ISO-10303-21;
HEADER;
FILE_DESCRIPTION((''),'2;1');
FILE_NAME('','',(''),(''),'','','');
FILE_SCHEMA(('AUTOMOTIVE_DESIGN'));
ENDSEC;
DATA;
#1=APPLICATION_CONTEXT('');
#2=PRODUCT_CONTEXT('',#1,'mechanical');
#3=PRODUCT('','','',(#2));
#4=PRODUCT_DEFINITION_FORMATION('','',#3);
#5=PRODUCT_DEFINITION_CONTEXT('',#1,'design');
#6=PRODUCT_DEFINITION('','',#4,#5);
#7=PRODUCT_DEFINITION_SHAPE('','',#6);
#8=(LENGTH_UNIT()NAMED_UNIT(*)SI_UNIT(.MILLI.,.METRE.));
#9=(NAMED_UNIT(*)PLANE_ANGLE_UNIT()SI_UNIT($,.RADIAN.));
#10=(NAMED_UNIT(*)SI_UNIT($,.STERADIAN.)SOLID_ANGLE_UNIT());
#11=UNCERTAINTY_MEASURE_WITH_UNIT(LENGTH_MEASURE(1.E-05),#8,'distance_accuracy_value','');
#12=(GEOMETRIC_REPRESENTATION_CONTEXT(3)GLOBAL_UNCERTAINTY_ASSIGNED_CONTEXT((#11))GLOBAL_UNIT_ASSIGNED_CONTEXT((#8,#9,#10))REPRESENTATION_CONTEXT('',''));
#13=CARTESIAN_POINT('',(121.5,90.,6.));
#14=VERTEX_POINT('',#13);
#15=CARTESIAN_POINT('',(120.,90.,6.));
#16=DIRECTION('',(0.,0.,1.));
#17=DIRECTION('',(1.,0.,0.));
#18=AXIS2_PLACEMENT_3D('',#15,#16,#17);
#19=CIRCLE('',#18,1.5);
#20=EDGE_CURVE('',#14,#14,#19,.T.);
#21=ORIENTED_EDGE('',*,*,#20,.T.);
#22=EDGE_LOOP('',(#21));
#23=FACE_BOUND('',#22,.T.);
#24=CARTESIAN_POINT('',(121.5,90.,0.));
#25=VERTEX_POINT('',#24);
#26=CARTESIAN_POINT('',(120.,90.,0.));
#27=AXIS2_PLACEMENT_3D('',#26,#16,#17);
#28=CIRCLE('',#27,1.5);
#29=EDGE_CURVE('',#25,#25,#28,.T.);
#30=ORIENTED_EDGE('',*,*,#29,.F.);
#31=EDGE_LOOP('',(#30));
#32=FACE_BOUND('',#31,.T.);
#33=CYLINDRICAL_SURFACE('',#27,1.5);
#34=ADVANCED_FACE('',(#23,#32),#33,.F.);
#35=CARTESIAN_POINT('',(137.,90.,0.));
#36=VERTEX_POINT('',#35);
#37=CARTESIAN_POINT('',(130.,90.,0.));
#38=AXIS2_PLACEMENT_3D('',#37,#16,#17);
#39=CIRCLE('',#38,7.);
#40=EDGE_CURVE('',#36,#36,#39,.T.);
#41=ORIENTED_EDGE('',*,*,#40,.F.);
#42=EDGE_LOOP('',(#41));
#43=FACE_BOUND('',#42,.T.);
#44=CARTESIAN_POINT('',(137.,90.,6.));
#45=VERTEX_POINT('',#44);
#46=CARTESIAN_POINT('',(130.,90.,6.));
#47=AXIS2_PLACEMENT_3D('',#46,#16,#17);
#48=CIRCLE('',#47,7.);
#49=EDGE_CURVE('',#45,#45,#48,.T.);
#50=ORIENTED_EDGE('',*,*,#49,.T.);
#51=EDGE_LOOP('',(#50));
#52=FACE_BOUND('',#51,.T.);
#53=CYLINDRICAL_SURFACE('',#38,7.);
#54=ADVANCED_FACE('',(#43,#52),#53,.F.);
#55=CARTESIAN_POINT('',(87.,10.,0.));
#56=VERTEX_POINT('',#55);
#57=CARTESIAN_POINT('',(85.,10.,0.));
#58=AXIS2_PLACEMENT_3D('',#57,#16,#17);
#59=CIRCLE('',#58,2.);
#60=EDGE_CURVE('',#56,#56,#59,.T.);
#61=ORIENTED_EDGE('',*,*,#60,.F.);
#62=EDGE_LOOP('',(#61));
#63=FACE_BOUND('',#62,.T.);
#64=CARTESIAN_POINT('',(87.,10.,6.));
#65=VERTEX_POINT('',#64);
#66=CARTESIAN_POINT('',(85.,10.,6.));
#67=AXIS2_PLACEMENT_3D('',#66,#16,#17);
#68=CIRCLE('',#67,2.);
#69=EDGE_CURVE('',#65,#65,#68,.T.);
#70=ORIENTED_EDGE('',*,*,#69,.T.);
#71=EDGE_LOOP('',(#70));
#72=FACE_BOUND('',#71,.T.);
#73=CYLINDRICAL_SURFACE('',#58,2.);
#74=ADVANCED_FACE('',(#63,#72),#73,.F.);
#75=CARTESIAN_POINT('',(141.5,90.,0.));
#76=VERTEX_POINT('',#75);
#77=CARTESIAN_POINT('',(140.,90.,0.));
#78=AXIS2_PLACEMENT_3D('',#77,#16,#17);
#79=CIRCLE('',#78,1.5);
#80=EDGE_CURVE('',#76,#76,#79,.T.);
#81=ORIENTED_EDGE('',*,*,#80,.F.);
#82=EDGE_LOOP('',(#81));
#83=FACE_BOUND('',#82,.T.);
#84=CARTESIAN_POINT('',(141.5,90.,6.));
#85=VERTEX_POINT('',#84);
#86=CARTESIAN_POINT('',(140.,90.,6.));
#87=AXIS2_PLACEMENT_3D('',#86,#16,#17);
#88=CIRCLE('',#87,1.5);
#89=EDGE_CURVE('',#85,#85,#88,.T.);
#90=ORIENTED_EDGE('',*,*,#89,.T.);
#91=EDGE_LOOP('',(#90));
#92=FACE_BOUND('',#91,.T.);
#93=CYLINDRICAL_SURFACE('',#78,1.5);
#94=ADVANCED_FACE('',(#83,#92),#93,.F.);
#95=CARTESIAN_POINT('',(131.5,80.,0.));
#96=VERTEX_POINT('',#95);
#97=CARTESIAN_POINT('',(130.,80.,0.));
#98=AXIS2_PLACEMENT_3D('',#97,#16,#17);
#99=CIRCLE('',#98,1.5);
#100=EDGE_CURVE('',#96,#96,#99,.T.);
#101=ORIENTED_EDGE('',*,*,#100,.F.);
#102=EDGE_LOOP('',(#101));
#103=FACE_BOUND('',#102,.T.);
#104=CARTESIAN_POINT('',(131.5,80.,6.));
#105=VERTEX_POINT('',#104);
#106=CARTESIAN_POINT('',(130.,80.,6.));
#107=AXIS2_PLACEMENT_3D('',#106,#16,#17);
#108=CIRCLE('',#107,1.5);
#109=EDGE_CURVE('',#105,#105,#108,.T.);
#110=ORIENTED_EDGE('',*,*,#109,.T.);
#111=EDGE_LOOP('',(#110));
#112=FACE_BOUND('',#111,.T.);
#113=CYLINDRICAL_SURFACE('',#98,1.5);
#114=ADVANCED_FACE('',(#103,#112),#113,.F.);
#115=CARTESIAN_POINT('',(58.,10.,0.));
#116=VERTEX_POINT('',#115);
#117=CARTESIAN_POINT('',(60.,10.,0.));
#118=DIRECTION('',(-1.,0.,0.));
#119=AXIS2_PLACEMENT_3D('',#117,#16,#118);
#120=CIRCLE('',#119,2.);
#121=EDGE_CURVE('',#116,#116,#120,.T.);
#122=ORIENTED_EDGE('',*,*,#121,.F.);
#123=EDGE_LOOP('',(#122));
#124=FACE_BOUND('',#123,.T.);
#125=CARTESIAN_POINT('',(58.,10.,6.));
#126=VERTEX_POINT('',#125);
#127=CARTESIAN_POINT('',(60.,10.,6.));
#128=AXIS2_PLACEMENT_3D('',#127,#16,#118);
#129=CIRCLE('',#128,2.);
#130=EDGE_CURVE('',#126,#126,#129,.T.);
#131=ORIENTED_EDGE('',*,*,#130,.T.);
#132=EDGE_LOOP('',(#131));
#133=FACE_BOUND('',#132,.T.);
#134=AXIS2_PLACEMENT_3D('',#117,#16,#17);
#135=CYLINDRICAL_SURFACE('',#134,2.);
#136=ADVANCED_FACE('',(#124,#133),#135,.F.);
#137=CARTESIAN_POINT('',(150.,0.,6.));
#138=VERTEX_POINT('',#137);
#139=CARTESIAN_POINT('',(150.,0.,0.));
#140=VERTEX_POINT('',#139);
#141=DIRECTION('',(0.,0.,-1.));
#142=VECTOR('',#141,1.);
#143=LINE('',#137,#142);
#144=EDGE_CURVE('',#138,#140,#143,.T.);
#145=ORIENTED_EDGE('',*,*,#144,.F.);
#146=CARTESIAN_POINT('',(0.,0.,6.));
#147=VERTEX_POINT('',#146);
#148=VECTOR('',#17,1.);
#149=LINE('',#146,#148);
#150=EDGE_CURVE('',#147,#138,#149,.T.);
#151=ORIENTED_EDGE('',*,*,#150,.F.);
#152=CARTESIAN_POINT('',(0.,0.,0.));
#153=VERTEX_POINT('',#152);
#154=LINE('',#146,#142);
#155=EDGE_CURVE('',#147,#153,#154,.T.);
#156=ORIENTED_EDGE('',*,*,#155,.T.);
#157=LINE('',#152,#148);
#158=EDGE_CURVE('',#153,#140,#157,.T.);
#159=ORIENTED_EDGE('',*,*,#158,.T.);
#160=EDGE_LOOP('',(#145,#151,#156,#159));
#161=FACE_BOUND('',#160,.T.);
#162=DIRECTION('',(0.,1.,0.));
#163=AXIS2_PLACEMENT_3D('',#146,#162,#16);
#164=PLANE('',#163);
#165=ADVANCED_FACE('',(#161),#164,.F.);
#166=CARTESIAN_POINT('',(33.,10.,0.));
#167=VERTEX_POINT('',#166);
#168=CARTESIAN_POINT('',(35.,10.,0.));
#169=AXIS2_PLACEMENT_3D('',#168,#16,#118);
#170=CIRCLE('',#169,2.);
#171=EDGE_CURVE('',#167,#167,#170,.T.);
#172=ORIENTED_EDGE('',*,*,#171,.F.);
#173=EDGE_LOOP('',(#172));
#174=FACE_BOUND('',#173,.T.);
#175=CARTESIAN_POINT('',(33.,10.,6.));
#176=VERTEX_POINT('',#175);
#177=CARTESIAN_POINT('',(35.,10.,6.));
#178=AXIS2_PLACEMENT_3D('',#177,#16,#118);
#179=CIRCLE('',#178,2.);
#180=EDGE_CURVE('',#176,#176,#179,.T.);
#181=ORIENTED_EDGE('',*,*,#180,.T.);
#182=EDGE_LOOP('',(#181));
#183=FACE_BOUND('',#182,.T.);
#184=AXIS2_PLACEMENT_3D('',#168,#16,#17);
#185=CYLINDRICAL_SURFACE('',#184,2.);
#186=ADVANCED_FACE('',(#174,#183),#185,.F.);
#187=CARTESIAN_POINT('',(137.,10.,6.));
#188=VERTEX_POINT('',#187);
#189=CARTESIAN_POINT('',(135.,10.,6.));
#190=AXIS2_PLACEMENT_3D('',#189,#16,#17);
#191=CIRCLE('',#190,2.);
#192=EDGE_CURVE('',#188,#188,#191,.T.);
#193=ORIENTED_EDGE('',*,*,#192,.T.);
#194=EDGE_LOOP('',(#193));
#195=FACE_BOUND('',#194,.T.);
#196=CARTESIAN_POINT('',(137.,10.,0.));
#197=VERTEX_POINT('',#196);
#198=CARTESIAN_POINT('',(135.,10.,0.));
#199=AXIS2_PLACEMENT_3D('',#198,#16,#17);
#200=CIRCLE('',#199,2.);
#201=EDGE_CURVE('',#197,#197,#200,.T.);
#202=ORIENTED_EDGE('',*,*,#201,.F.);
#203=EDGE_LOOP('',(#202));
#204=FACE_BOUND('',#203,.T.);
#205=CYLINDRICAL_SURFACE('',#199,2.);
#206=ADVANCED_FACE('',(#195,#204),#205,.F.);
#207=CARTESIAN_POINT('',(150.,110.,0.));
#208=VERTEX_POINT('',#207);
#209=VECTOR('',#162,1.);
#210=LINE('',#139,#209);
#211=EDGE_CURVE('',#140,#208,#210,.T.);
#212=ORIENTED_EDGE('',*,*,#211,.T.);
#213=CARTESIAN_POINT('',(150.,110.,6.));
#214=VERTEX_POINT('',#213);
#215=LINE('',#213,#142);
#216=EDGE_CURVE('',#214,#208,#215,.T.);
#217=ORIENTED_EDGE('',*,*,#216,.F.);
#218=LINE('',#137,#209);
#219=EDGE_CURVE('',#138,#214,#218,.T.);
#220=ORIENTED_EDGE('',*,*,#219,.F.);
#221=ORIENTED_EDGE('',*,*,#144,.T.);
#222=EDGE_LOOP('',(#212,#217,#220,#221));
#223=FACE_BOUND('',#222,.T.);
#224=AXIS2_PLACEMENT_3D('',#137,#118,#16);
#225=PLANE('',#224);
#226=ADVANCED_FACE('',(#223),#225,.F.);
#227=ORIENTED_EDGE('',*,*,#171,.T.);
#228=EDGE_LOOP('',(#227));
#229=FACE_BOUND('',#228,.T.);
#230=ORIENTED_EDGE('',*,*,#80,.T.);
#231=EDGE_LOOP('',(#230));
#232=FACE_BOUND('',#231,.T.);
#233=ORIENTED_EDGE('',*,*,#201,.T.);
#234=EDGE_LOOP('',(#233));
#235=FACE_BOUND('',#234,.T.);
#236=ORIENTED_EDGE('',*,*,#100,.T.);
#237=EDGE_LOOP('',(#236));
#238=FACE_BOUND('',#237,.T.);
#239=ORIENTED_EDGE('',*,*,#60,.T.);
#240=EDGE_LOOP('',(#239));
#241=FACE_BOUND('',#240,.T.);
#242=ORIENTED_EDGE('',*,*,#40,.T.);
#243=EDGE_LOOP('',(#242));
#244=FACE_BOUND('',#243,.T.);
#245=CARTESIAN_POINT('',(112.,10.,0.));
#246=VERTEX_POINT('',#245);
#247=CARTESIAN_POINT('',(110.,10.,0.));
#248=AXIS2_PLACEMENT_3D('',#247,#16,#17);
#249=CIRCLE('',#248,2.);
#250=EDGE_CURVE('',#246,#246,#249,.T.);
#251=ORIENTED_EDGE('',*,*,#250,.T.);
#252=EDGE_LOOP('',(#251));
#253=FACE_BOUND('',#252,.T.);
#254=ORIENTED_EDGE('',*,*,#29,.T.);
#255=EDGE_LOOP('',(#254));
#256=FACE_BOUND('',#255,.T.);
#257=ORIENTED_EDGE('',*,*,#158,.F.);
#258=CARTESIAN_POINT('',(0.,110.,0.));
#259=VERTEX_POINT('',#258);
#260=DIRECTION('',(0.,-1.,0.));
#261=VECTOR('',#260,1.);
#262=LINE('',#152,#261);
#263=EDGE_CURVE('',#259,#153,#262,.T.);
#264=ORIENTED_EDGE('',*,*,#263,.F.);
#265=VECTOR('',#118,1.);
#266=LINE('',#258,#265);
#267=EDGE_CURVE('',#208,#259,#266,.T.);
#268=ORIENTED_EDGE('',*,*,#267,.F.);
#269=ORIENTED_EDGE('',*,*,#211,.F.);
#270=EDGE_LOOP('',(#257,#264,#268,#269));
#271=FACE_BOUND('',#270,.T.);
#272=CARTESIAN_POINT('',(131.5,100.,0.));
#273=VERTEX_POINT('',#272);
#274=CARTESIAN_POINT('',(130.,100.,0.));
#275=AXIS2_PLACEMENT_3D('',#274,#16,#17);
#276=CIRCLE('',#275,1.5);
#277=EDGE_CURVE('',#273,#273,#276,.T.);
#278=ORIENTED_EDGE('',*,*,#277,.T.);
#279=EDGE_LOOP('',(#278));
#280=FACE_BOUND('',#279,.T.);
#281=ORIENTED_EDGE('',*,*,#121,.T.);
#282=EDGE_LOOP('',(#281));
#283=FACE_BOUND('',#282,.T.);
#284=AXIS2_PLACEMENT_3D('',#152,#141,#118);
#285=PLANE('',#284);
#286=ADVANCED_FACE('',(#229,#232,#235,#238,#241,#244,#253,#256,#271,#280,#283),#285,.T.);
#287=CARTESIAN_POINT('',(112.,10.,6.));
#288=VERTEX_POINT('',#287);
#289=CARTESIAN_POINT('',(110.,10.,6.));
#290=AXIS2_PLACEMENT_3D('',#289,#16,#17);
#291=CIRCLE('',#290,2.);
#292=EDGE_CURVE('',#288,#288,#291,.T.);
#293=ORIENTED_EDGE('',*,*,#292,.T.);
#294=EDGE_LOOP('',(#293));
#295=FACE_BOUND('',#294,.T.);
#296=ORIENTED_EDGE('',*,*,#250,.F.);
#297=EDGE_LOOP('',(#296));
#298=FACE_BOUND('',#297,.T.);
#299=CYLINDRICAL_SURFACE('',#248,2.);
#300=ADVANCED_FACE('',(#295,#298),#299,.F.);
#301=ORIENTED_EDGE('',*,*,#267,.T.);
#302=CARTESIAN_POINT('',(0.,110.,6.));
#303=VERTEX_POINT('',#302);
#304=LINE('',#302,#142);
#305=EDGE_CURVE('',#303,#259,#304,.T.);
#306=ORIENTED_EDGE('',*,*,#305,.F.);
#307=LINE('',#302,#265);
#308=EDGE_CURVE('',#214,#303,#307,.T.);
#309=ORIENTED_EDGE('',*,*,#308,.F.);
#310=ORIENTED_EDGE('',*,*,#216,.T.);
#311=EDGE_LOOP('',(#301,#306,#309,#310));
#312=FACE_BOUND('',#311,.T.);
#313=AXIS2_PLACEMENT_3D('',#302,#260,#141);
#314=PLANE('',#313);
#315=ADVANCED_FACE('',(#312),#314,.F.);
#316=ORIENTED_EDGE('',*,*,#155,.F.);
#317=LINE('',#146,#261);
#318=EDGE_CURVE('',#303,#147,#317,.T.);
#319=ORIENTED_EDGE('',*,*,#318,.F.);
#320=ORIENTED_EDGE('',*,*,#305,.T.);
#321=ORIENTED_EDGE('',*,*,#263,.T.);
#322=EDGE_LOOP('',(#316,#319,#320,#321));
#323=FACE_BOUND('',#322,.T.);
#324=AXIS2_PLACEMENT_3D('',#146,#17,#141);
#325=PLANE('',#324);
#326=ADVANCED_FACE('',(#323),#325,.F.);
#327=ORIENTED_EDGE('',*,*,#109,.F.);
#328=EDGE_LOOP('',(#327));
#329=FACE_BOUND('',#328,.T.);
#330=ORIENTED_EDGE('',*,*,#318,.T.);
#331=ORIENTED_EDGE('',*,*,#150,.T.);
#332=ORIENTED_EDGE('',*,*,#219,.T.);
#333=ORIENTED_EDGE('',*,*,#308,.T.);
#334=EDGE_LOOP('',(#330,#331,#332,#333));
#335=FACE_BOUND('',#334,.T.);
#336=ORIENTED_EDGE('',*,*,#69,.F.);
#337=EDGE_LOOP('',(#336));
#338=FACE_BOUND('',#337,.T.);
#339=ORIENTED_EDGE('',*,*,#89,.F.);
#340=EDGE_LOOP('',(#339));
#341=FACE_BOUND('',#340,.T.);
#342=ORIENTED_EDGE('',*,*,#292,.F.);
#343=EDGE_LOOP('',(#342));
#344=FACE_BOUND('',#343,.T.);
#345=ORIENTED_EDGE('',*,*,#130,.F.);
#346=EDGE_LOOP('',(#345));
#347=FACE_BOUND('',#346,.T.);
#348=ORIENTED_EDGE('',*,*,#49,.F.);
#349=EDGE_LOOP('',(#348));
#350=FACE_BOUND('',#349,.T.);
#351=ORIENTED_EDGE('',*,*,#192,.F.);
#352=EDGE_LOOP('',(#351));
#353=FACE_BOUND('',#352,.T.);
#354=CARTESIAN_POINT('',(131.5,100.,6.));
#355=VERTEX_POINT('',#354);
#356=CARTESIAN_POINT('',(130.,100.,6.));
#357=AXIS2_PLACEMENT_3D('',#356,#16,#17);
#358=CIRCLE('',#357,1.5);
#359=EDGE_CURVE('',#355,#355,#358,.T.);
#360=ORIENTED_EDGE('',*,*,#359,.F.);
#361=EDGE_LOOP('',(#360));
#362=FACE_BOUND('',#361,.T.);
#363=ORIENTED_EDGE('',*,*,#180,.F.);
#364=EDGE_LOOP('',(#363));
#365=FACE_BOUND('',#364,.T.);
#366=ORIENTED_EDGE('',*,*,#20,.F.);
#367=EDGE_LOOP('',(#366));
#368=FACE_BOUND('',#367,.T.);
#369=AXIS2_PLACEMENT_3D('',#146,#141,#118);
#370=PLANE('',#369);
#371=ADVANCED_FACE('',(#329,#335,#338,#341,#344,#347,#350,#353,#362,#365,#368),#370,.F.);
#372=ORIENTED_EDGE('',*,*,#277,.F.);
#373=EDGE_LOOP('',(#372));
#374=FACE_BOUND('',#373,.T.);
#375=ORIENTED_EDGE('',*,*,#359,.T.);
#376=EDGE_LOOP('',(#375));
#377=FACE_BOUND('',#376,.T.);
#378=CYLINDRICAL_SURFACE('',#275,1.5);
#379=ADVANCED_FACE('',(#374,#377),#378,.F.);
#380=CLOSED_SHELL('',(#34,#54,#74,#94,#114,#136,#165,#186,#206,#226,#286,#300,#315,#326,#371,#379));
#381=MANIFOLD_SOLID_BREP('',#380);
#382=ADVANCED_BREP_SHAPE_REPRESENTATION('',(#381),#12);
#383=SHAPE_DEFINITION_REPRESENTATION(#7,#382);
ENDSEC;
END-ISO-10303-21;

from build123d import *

# Parameters (mm, degrees)
ESQUISSE1_W             = 150
ESQUISSE1_H             = 110
BOSS_EXTRU_1_DEPTH      = 6
ESQUISSE2_R             = 2
ENL_V_MAT_EXTRU_1_DEPTH = 187.107495819
ESQUISSE3_R             = 7
ENL_V_MAT_EXTRU_2_DEPTH = 187.107495819
ESQUISSE4_R             = 1.5
ENL_V_MAT_EXTRU_3_DEPTH = 6


with BuildPart() as part:
    # Esquisse1 → Boss.-Extru.1 (new body)
    with BuildSketch(Plane.XY):
        with Locations((75, 55)):
            Rectangle(ESQUISSE1_W, ESQUISSE1_H)
    extrude(amount=BOSS_EXTRU_1_DEPTH)

    # Esquisse2 → Enlèv. mat.-Extru.1 (cut, through all)
    with BuildSketch(Plane.XY.offset(6)):
        with Locations((110, 10)):
            Circle(ESQUISSE2_R)
        with Locations((135, 10)):
            Circle(ESQUISSE2_R)
        with Locations(Location((35, 10, 0), (0, 0, 180))):
            Circle(ESQUISSE2_R)
        with Locations(Location((60, 10, 0), (0, 0, 180))):
            Circle(ESQUISSE2_R)
        with Locations((85, 10)):
            Circle(ESQUISSE2_R)
    extrude(amount=-ENL_V_MAT_EXTRU_1_DEPTH, mode=Mode.SUBTRACT)

    # Esquisse3 → Enlèv. mat.-Extru.2 (cut, through all)
    with BuildSketch(Plane.XY.offset(6)):
        with Locations((130, 90)):
            Circle(ESQUISSE3_R)
    extrude(amount=-ENL_V_MAT_EXTRU_2_DEPTH, mode=Mode.SUBTRACT)

    # Esquisse4 → Enlèv. mat.-Extru.3 (cut)
    with BuildSketch(Plane.XY.offset(6)):
        with Locations((130, 100)):
            Circle(ESQUISSE4_R)
        with Locations((140, 90)):
            Circle(ESQUISSE4_R)
        with Locations((130, 80)):
            Circle(ESQUISSE4_R)
        with Locations((120, 90)):
            Circle(ESQUISSE4_R)
    extrude(amount=-ENL_V_MAT_EXTRU_3_DEPTH, mode=Mode.SUBTRACT)


solid = part.part
